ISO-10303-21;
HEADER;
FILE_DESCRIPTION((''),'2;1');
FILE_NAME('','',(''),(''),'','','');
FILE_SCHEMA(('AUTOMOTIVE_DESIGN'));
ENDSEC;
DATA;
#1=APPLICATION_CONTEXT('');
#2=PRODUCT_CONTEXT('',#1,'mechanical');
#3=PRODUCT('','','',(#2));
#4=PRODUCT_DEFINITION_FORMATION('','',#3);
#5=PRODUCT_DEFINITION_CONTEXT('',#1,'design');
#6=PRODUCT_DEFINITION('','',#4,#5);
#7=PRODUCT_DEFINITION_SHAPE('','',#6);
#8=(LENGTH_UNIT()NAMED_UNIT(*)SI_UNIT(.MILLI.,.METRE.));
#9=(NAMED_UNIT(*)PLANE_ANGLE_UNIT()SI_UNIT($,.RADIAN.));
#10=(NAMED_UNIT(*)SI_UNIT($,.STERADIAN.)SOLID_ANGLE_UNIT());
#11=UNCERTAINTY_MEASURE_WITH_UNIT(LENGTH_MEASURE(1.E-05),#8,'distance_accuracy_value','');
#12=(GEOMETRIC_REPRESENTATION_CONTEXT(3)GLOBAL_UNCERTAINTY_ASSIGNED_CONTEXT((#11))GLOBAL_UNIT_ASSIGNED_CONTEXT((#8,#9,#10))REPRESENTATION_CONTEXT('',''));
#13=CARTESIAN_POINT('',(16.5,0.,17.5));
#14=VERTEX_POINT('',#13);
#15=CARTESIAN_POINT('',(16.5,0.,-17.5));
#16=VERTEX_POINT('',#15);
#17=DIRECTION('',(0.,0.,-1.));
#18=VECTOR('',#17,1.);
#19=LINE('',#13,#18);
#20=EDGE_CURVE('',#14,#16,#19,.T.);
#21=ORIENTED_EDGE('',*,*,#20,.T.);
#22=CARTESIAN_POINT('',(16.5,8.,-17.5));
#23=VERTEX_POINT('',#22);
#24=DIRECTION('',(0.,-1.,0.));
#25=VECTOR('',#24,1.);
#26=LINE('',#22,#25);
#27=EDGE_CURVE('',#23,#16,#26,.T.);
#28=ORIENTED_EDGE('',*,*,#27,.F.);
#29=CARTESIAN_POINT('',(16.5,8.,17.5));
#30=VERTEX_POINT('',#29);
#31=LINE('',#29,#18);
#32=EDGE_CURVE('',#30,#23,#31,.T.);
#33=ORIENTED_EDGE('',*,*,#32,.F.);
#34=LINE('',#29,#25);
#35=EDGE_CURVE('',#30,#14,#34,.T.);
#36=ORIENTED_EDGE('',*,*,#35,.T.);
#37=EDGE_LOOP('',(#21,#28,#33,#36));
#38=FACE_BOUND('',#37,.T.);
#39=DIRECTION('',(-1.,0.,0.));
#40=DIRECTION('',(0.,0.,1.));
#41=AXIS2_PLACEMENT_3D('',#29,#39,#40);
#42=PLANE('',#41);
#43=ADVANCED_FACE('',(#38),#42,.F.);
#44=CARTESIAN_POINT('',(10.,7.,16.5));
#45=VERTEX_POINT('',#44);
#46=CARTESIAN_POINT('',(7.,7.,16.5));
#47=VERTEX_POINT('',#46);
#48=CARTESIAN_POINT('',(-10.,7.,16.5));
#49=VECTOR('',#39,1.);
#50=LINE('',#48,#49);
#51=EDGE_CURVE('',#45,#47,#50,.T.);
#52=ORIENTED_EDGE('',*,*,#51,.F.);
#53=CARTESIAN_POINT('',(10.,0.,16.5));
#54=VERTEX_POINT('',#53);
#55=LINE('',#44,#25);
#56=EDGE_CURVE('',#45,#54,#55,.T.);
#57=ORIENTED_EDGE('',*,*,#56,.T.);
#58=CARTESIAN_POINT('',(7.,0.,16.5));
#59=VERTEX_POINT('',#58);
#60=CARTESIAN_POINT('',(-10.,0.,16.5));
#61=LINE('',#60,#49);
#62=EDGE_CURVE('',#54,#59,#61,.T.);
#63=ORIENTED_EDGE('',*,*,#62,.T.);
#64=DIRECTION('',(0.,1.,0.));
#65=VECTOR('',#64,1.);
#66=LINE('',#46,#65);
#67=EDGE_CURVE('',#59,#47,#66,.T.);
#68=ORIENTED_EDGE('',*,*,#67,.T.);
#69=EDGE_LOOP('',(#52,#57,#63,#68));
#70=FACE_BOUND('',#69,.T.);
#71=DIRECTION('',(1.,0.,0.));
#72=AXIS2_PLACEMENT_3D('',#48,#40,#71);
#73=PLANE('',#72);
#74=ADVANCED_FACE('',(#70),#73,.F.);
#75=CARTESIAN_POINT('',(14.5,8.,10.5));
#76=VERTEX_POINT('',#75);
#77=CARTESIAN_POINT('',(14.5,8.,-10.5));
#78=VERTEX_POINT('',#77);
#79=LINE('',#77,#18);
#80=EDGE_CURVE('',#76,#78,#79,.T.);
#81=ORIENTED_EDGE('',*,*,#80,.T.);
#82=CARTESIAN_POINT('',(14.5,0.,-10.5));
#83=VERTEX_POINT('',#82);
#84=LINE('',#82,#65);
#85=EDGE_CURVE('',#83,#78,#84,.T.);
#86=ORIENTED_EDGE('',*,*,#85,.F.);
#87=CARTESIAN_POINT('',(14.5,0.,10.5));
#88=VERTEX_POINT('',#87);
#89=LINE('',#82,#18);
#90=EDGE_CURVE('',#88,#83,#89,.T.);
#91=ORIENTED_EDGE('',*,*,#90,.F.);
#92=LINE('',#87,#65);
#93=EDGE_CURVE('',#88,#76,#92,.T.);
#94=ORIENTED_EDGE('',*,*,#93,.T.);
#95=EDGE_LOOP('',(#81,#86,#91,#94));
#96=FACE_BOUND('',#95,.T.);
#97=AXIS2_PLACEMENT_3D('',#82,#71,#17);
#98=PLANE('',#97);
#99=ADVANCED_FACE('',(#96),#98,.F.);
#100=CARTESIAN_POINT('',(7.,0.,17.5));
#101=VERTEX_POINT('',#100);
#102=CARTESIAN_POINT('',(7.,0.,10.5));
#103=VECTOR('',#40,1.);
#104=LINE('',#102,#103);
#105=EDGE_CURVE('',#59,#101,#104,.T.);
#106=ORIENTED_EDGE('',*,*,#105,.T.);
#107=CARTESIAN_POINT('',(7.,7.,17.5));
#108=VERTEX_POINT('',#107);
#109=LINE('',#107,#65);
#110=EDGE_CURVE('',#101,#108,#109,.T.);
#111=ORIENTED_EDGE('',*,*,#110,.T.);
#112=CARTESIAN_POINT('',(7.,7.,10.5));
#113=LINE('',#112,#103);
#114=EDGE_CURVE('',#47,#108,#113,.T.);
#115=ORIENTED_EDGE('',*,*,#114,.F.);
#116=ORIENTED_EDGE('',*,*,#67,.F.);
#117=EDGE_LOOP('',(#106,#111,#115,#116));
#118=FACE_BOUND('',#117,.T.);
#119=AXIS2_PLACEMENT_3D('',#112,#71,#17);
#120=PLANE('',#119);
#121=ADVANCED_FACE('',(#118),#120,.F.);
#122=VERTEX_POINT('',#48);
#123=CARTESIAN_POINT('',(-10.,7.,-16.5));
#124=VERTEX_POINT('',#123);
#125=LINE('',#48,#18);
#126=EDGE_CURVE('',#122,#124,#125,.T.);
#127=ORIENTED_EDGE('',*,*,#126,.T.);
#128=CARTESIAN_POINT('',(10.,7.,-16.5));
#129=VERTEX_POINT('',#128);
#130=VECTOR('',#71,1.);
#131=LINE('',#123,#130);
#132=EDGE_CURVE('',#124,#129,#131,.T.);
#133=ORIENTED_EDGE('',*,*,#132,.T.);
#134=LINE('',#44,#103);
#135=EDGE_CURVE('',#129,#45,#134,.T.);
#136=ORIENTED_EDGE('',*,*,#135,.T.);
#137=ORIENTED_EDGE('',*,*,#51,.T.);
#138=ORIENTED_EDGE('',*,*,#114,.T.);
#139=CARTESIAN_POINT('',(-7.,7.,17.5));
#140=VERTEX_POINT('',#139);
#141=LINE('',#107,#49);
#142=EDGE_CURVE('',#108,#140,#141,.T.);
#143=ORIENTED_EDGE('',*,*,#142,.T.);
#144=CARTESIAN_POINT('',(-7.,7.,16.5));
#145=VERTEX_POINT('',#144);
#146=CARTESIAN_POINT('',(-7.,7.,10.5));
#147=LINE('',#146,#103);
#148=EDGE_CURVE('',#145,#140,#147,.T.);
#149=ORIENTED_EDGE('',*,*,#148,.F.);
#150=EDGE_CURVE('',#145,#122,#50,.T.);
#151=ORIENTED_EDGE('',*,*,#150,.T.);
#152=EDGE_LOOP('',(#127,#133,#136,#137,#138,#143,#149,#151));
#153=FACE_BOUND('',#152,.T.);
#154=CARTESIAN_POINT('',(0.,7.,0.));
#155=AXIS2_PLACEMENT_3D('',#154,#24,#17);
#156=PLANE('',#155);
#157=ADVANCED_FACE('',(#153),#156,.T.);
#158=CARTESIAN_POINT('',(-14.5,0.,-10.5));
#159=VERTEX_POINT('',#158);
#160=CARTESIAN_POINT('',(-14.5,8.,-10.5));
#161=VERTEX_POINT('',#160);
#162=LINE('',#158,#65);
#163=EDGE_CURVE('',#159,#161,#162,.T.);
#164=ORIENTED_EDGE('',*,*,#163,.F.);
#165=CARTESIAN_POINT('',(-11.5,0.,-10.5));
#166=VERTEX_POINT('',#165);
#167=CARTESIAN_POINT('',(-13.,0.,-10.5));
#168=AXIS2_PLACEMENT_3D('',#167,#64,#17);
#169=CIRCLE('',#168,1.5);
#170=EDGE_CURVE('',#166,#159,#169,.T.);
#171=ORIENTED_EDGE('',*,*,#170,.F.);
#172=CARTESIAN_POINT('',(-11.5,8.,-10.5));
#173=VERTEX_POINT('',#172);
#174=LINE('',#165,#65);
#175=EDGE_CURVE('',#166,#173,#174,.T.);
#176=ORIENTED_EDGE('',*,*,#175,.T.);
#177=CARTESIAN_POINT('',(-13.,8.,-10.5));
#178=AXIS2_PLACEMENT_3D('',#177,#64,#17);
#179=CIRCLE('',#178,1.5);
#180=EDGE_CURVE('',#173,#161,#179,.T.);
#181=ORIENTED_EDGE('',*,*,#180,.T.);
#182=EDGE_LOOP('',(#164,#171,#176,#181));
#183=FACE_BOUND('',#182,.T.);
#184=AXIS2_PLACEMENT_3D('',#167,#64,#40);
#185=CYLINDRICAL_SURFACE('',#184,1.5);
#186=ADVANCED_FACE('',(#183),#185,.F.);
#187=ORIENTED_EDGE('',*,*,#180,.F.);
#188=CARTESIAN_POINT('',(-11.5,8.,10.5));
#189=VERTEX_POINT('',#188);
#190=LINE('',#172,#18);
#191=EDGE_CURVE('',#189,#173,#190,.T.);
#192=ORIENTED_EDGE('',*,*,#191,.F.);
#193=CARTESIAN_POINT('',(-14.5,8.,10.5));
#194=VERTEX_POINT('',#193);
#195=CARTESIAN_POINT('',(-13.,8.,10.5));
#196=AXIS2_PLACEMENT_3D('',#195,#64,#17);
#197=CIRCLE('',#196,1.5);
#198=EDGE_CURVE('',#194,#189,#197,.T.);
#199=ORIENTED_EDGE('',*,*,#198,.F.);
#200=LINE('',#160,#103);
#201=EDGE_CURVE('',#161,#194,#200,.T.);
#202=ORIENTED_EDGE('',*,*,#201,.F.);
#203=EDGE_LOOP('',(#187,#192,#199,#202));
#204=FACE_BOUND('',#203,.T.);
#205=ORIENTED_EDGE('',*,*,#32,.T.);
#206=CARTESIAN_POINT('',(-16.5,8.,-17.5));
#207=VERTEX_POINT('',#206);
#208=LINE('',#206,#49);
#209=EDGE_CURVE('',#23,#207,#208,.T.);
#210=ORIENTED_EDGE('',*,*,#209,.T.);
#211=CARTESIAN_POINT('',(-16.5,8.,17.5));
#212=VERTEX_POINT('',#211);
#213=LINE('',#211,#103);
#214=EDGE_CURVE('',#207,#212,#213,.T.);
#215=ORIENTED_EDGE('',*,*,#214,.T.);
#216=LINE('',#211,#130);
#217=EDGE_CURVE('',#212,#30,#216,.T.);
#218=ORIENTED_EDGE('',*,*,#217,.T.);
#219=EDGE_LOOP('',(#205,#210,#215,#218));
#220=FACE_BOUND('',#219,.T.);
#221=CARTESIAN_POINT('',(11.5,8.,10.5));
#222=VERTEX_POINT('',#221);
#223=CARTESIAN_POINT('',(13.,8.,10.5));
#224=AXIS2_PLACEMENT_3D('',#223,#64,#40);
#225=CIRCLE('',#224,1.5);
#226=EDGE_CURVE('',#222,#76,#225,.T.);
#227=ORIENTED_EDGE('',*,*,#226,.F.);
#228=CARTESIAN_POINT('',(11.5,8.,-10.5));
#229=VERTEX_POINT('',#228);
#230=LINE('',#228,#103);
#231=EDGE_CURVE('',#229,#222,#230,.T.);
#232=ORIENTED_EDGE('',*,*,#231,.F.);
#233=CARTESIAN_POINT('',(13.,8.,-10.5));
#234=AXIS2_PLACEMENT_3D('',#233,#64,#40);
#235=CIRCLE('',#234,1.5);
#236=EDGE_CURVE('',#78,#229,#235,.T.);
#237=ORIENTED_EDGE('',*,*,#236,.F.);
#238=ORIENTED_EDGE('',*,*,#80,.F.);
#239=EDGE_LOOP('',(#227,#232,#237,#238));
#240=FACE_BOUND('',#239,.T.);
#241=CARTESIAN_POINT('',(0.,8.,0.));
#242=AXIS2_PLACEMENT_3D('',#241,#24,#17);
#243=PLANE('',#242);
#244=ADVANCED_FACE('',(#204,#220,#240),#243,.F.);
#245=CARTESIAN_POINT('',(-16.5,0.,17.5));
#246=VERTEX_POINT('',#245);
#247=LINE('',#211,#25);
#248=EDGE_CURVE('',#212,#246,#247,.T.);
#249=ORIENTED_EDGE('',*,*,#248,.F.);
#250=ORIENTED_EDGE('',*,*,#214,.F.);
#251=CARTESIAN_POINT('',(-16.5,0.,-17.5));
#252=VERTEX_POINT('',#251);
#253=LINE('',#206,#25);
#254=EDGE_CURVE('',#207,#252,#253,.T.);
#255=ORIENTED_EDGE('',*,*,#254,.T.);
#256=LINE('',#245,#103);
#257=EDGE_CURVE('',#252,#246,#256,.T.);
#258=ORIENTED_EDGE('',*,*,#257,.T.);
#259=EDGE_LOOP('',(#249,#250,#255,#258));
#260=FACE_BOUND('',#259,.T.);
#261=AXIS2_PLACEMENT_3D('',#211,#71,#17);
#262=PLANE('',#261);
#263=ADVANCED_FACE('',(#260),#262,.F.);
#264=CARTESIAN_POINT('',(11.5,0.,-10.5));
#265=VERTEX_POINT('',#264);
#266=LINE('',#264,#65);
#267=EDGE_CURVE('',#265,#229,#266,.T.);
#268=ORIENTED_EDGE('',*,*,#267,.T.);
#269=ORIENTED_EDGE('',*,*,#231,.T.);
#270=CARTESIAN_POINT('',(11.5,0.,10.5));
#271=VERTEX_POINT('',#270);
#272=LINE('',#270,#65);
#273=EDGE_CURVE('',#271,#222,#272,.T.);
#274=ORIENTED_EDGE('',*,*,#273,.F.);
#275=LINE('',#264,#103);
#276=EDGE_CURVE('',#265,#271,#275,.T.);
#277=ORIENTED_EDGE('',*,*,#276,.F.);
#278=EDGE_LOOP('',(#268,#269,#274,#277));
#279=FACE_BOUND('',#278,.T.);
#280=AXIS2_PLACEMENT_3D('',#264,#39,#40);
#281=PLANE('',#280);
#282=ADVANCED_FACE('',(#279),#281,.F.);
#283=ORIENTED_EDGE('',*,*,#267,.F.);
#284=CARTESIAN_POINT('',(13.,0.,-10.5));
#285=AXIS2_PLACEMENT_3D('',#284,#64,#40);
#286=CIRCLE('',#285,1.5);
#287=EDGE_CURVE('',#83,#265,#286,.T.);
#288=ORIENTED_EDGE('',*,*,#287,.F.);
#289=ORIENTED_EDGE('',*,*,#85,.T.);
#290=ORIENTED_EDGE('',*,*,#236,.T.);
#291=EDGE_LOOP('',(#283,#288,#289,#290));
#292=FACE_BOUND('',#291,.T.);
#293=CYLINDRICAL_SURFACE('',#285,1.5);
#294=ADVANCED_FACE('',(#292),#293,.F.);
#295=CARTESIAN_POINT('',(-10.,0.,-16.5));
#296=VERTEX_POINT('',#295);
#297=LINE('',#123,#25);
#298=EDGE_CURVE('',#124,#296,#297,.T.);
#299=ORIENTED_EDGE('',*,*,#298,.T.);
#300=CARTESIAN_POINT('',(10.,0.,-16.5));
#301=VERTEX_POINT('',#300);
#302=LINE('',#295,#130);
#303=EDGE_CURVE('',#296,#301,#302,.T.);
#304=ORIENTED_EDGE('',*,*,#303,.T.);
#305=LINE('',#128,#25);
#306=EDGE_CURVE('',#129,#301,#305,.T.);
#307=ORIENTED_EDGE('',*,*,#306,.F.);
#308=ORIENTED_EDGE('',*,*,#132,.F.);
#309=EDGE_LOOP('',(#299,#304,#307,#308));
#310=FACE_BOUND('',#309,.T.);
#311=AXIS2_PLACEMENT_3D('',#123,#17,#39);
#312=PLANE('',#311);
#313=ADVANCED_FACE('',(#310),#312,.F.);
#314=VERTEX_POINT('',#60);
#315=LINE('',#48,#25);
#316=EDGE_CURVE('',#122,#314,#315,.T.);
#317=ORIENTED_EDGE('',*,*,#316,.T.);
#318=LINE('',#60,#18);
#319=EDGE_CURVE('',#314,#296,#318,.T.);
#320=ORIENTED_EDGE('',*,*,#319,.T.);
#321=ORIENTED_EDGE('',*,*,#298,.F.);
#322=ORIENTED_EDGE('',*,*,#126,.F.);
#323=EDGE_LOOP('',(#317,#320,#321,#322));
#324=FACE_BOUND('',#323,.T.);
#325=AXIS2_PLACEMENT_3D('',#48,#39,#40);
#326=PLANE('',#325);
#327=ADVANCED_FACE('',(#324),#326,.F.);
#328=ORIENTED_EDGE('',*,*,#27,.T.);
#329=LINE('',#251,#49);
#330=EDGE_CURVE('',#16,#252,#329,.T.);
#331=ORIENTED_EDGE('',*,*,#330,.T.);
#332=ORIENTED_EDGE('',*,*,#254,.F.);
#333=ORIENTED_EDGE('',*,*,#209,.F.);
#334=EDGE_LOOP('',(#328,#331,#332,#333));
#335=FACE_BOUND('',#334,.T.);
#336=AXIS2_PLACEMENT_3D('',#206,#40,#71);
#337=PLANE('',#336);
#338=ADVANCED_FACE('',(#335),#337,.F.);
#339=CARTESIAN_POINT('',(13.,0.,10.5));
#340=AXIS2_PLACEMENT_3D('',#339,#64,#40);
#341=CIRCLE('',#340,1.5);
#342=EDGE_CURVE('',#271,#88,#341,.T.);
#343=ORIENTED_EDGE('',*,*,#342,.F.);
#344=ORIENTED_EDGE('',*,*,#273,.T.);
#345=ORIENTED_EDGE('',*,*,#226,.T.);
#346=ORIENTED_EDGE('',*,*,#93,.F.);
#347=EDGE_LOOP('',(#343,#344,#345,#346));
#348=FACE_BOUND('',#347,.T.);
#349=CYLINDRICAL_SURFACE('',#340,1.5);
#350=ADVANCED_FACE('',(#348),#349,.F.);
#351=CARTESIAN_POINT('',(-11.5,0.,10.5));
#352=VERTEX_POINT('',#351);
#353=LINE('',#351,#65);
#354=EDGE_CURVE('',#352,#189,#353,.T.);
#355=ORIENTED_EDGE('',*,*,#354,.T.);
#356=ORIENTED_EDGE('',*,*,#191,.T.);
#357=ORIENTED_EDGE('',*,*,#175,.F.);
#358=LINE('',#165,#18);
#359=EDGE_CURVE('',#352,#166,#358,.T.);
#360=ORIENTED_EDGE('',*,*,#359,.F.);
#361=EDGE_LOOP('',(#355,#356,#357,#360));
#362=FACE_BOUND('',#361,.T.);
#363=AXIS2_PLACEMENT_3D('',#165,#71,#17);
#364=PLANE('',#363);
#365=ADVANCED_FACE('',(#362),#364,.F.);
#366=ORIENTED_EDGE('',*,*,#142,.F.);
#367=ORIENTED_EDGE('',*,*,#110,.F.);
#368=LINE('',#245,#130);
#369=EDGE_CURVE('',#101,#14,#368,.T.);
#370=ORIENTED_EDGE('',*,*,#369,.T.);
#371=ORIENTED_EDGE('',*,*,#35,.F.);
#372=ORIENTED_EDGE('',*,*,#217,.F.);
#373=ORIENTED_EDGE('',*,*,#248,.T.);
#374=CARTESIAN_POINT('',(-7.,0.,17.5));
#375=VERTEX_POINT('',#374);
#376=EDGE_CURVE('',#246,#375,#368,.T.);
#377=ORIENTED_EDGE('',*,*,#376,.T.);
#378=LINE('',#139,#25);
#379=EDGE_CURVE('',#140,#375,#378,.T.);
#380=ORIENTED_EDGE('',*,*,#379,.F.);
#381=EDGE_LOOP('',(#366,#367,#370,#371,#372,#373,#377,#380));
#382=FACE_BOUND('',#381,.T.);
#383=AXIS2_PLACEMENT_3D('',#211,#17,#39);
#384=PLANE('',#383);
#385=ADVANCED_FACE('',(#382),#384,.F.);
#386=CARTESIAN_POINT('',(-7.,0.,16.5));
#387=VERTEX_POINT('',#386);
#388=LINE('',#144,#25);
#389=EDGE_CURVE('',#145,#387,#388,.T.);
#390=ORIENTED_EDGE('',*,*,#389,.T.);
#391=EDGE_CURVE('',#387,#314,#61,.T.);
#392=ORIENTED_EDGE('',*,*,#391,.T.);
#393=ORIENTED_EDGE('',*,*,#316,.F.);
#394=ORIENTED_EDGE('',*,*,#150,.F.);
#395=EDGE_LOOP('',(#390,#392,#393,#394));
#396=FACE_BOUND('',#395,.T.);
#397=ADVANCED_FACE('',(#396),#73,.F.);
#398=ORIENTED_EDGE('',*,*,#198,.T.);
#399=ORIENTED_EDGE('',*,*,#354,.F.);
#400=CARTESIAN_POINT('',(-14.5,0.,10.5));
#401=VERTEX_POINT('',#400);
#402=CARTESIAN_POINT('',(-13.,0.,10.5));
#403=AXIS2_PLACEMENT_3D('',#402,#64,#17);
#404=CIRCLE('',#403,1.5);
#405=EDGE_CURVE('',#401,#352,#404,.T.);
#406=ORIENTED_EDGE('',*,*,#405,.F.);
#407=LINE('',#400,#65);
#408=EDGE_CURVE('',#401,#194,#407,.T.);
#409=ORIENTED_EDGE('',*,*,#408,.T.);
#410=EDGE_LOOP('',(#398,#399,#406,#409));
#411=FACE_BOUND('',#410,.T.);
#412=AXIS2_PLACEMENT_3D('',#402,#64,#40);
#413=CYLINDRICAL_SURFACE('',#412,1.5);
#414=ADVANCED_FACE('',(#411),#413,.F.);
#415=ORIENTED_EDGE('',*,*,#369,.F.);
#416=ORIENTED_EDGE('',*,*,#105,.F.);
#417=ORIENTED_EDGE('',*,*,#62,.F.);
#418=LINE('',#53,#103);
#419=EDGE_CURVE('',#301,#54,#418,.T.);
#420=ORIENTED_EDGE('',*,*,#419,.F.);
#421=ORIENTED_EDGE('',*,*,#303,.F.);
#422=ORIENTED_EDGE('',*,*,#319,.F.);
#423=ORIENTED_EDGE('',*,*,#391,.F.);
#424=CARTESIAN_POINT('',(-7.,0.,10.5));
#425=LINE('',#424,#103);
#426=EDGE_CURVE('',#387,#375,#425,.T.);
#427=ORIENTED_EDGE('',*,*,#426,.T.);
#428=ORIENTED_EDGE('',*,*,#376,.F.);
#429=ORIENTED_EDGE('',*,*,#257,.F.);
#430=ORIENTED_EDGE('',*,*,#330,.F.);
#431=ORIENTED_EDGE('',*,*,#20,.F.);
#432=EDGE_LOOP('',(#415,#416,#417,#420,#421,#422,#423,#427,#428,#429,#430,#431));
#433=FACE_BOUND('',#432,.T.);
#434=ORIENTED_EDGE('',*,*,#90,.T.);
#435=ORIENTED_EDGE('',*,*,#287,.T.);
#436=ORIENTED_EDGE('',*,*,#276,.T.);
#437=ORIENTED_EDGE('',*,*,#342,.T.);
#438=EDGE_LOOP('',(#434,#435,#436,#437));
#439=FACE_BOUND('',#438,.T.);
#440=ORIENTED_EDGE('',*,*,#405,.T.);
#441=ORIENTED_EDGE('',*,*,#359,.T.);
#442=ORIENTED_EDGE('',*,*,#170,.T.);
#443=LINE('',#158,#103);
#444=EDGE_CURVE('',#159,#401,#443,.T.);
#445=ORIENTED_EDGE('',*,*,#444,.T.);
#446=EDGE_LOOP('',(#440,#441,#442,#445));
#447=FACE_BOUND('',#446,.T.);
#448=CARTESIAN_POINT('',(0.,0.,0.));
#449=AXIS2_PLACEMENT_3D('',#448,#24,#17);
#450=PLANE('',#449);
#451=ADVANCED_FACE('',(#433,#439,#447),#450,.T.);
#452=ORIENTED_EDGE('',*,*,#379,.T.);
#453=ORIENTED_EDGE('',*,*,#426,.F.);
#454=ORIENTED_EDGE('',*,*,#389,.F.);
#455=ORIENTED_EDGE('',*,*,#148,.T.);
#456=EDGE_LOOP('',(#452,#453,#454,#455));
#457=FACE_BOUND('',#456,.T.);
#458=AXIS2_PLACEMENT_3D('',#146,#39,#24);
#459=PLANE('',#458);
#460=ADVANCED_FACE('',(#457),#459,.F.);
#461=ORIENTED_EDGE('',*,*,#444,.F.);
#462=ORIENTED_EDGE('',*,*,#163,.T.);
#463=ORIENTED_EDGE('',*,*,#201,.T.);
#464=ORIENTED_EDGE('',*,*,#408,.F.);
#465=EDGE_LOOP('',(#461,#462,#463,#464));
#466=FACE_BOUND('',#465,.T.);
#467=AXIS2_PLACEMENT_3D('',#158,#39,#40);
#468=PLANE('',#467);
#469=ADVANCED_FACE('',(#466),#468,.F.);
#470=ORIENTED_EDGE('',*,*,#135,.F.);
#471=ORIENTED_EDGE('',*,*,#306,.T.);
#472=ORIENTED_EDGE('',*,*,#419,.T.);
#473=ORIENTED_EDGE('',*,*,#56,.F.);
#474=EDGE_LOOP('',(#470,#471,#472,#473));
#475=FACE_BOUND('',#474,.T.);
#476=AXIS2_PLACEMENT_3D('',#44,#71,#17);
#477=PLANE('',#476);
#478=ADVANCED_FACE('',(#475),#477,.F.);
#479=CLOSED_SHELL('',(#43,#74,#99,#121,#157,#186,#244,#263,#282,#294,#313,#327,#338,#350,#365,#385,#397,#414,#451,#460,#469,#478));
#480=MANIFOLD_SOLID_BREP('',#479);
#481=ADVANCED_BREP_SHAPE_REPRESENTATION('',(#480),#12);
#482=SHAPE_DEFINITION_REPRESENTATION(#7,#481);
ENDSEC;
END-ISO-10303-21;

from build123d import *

# Parameters (mm, degrees)
SKETCH1_W           = 33
SKETCH1_H           = 35
BOSS_EXTRUDE1_DEPTH = 8
SKETCH2_W           = 20
SKETCH2_H           = 33
CUT_EXTRUDE1_DEPTH  = 7
CUT_EXTRUDE3_DEPTH  = 9
SKETCH3_W           = 14
SKETCH3_H           = 7
CUT_EXTRUDE4_DEPTH  = 7


with BuildPart() as part:
    # Sketch1 → Boss-Extrude1 (new body)
    with BuildSketch(Plane(origin=(0, 0, 0), x_dir=(1, 0, 0), z_dir=(0, 1, 0))):
        Rectangle(SKETCH1_W, SKETCH1_H)
    extrude(amount=BOSS_EXTRUDE1_DEPTH)

    # Sketch2 → Cut-Extrude1 (cut)
    with BuildSketch(Plane.XZ):
        Rectangle(SKETCH2_W, SKETCH2_H)
    extrude(amount=-CUT_EXTRUDE1_DEPTH, mode=Mode.SUBTRACT)

    # Sketch4 → Cut-Extrude3 (cut, through all)
    with BuildSketch(Plane(origin=(0, 8, 0), x_dir=(1, 0, 0), z_dir=(0, 1, 0))):
        with BuildLine():
            Line((14.5, 10.5), (14.5, -10.5))
            ThreePointArc((14.5, -10.5), (13, -12), (11.5, -10.5))
            Line((11.5, -10.5), (11.5, 10.5))
            ThreePointArc((11.5, 10.5), (13, 12), (14.5, 10.5))
        make_face()
        with BuildLine():
            Line((-14.5, 10.5), (-14.5, -10.5))
            ThreePointArc((-14.5, -10.5), (-13, -12), (-11.5, -10.5))
            Line((-11.5, -10.5), (-11.5, 10.5))
            ThreePointArc((-11.5, 10.5), (-13, 12), (-14.5, 10.5))
        make_face()
    extrude(amount=-CUT_EXTRUDE3_DEPTH, mode=Mode.SUBTRACT)

    # Sketch3 → Cut-Extrude4 (cut)
    with BuildSketch(Plane.XY.offset(17.5)):
        with Locations((0, 3.5)):
            Rectangle(SKETCH3_W, SKETCH3_H)
    extrude(amount=-CUT_EXTRUDE4_DEPTH, mode=Mode.SUBTRACT)


solid = part.part
